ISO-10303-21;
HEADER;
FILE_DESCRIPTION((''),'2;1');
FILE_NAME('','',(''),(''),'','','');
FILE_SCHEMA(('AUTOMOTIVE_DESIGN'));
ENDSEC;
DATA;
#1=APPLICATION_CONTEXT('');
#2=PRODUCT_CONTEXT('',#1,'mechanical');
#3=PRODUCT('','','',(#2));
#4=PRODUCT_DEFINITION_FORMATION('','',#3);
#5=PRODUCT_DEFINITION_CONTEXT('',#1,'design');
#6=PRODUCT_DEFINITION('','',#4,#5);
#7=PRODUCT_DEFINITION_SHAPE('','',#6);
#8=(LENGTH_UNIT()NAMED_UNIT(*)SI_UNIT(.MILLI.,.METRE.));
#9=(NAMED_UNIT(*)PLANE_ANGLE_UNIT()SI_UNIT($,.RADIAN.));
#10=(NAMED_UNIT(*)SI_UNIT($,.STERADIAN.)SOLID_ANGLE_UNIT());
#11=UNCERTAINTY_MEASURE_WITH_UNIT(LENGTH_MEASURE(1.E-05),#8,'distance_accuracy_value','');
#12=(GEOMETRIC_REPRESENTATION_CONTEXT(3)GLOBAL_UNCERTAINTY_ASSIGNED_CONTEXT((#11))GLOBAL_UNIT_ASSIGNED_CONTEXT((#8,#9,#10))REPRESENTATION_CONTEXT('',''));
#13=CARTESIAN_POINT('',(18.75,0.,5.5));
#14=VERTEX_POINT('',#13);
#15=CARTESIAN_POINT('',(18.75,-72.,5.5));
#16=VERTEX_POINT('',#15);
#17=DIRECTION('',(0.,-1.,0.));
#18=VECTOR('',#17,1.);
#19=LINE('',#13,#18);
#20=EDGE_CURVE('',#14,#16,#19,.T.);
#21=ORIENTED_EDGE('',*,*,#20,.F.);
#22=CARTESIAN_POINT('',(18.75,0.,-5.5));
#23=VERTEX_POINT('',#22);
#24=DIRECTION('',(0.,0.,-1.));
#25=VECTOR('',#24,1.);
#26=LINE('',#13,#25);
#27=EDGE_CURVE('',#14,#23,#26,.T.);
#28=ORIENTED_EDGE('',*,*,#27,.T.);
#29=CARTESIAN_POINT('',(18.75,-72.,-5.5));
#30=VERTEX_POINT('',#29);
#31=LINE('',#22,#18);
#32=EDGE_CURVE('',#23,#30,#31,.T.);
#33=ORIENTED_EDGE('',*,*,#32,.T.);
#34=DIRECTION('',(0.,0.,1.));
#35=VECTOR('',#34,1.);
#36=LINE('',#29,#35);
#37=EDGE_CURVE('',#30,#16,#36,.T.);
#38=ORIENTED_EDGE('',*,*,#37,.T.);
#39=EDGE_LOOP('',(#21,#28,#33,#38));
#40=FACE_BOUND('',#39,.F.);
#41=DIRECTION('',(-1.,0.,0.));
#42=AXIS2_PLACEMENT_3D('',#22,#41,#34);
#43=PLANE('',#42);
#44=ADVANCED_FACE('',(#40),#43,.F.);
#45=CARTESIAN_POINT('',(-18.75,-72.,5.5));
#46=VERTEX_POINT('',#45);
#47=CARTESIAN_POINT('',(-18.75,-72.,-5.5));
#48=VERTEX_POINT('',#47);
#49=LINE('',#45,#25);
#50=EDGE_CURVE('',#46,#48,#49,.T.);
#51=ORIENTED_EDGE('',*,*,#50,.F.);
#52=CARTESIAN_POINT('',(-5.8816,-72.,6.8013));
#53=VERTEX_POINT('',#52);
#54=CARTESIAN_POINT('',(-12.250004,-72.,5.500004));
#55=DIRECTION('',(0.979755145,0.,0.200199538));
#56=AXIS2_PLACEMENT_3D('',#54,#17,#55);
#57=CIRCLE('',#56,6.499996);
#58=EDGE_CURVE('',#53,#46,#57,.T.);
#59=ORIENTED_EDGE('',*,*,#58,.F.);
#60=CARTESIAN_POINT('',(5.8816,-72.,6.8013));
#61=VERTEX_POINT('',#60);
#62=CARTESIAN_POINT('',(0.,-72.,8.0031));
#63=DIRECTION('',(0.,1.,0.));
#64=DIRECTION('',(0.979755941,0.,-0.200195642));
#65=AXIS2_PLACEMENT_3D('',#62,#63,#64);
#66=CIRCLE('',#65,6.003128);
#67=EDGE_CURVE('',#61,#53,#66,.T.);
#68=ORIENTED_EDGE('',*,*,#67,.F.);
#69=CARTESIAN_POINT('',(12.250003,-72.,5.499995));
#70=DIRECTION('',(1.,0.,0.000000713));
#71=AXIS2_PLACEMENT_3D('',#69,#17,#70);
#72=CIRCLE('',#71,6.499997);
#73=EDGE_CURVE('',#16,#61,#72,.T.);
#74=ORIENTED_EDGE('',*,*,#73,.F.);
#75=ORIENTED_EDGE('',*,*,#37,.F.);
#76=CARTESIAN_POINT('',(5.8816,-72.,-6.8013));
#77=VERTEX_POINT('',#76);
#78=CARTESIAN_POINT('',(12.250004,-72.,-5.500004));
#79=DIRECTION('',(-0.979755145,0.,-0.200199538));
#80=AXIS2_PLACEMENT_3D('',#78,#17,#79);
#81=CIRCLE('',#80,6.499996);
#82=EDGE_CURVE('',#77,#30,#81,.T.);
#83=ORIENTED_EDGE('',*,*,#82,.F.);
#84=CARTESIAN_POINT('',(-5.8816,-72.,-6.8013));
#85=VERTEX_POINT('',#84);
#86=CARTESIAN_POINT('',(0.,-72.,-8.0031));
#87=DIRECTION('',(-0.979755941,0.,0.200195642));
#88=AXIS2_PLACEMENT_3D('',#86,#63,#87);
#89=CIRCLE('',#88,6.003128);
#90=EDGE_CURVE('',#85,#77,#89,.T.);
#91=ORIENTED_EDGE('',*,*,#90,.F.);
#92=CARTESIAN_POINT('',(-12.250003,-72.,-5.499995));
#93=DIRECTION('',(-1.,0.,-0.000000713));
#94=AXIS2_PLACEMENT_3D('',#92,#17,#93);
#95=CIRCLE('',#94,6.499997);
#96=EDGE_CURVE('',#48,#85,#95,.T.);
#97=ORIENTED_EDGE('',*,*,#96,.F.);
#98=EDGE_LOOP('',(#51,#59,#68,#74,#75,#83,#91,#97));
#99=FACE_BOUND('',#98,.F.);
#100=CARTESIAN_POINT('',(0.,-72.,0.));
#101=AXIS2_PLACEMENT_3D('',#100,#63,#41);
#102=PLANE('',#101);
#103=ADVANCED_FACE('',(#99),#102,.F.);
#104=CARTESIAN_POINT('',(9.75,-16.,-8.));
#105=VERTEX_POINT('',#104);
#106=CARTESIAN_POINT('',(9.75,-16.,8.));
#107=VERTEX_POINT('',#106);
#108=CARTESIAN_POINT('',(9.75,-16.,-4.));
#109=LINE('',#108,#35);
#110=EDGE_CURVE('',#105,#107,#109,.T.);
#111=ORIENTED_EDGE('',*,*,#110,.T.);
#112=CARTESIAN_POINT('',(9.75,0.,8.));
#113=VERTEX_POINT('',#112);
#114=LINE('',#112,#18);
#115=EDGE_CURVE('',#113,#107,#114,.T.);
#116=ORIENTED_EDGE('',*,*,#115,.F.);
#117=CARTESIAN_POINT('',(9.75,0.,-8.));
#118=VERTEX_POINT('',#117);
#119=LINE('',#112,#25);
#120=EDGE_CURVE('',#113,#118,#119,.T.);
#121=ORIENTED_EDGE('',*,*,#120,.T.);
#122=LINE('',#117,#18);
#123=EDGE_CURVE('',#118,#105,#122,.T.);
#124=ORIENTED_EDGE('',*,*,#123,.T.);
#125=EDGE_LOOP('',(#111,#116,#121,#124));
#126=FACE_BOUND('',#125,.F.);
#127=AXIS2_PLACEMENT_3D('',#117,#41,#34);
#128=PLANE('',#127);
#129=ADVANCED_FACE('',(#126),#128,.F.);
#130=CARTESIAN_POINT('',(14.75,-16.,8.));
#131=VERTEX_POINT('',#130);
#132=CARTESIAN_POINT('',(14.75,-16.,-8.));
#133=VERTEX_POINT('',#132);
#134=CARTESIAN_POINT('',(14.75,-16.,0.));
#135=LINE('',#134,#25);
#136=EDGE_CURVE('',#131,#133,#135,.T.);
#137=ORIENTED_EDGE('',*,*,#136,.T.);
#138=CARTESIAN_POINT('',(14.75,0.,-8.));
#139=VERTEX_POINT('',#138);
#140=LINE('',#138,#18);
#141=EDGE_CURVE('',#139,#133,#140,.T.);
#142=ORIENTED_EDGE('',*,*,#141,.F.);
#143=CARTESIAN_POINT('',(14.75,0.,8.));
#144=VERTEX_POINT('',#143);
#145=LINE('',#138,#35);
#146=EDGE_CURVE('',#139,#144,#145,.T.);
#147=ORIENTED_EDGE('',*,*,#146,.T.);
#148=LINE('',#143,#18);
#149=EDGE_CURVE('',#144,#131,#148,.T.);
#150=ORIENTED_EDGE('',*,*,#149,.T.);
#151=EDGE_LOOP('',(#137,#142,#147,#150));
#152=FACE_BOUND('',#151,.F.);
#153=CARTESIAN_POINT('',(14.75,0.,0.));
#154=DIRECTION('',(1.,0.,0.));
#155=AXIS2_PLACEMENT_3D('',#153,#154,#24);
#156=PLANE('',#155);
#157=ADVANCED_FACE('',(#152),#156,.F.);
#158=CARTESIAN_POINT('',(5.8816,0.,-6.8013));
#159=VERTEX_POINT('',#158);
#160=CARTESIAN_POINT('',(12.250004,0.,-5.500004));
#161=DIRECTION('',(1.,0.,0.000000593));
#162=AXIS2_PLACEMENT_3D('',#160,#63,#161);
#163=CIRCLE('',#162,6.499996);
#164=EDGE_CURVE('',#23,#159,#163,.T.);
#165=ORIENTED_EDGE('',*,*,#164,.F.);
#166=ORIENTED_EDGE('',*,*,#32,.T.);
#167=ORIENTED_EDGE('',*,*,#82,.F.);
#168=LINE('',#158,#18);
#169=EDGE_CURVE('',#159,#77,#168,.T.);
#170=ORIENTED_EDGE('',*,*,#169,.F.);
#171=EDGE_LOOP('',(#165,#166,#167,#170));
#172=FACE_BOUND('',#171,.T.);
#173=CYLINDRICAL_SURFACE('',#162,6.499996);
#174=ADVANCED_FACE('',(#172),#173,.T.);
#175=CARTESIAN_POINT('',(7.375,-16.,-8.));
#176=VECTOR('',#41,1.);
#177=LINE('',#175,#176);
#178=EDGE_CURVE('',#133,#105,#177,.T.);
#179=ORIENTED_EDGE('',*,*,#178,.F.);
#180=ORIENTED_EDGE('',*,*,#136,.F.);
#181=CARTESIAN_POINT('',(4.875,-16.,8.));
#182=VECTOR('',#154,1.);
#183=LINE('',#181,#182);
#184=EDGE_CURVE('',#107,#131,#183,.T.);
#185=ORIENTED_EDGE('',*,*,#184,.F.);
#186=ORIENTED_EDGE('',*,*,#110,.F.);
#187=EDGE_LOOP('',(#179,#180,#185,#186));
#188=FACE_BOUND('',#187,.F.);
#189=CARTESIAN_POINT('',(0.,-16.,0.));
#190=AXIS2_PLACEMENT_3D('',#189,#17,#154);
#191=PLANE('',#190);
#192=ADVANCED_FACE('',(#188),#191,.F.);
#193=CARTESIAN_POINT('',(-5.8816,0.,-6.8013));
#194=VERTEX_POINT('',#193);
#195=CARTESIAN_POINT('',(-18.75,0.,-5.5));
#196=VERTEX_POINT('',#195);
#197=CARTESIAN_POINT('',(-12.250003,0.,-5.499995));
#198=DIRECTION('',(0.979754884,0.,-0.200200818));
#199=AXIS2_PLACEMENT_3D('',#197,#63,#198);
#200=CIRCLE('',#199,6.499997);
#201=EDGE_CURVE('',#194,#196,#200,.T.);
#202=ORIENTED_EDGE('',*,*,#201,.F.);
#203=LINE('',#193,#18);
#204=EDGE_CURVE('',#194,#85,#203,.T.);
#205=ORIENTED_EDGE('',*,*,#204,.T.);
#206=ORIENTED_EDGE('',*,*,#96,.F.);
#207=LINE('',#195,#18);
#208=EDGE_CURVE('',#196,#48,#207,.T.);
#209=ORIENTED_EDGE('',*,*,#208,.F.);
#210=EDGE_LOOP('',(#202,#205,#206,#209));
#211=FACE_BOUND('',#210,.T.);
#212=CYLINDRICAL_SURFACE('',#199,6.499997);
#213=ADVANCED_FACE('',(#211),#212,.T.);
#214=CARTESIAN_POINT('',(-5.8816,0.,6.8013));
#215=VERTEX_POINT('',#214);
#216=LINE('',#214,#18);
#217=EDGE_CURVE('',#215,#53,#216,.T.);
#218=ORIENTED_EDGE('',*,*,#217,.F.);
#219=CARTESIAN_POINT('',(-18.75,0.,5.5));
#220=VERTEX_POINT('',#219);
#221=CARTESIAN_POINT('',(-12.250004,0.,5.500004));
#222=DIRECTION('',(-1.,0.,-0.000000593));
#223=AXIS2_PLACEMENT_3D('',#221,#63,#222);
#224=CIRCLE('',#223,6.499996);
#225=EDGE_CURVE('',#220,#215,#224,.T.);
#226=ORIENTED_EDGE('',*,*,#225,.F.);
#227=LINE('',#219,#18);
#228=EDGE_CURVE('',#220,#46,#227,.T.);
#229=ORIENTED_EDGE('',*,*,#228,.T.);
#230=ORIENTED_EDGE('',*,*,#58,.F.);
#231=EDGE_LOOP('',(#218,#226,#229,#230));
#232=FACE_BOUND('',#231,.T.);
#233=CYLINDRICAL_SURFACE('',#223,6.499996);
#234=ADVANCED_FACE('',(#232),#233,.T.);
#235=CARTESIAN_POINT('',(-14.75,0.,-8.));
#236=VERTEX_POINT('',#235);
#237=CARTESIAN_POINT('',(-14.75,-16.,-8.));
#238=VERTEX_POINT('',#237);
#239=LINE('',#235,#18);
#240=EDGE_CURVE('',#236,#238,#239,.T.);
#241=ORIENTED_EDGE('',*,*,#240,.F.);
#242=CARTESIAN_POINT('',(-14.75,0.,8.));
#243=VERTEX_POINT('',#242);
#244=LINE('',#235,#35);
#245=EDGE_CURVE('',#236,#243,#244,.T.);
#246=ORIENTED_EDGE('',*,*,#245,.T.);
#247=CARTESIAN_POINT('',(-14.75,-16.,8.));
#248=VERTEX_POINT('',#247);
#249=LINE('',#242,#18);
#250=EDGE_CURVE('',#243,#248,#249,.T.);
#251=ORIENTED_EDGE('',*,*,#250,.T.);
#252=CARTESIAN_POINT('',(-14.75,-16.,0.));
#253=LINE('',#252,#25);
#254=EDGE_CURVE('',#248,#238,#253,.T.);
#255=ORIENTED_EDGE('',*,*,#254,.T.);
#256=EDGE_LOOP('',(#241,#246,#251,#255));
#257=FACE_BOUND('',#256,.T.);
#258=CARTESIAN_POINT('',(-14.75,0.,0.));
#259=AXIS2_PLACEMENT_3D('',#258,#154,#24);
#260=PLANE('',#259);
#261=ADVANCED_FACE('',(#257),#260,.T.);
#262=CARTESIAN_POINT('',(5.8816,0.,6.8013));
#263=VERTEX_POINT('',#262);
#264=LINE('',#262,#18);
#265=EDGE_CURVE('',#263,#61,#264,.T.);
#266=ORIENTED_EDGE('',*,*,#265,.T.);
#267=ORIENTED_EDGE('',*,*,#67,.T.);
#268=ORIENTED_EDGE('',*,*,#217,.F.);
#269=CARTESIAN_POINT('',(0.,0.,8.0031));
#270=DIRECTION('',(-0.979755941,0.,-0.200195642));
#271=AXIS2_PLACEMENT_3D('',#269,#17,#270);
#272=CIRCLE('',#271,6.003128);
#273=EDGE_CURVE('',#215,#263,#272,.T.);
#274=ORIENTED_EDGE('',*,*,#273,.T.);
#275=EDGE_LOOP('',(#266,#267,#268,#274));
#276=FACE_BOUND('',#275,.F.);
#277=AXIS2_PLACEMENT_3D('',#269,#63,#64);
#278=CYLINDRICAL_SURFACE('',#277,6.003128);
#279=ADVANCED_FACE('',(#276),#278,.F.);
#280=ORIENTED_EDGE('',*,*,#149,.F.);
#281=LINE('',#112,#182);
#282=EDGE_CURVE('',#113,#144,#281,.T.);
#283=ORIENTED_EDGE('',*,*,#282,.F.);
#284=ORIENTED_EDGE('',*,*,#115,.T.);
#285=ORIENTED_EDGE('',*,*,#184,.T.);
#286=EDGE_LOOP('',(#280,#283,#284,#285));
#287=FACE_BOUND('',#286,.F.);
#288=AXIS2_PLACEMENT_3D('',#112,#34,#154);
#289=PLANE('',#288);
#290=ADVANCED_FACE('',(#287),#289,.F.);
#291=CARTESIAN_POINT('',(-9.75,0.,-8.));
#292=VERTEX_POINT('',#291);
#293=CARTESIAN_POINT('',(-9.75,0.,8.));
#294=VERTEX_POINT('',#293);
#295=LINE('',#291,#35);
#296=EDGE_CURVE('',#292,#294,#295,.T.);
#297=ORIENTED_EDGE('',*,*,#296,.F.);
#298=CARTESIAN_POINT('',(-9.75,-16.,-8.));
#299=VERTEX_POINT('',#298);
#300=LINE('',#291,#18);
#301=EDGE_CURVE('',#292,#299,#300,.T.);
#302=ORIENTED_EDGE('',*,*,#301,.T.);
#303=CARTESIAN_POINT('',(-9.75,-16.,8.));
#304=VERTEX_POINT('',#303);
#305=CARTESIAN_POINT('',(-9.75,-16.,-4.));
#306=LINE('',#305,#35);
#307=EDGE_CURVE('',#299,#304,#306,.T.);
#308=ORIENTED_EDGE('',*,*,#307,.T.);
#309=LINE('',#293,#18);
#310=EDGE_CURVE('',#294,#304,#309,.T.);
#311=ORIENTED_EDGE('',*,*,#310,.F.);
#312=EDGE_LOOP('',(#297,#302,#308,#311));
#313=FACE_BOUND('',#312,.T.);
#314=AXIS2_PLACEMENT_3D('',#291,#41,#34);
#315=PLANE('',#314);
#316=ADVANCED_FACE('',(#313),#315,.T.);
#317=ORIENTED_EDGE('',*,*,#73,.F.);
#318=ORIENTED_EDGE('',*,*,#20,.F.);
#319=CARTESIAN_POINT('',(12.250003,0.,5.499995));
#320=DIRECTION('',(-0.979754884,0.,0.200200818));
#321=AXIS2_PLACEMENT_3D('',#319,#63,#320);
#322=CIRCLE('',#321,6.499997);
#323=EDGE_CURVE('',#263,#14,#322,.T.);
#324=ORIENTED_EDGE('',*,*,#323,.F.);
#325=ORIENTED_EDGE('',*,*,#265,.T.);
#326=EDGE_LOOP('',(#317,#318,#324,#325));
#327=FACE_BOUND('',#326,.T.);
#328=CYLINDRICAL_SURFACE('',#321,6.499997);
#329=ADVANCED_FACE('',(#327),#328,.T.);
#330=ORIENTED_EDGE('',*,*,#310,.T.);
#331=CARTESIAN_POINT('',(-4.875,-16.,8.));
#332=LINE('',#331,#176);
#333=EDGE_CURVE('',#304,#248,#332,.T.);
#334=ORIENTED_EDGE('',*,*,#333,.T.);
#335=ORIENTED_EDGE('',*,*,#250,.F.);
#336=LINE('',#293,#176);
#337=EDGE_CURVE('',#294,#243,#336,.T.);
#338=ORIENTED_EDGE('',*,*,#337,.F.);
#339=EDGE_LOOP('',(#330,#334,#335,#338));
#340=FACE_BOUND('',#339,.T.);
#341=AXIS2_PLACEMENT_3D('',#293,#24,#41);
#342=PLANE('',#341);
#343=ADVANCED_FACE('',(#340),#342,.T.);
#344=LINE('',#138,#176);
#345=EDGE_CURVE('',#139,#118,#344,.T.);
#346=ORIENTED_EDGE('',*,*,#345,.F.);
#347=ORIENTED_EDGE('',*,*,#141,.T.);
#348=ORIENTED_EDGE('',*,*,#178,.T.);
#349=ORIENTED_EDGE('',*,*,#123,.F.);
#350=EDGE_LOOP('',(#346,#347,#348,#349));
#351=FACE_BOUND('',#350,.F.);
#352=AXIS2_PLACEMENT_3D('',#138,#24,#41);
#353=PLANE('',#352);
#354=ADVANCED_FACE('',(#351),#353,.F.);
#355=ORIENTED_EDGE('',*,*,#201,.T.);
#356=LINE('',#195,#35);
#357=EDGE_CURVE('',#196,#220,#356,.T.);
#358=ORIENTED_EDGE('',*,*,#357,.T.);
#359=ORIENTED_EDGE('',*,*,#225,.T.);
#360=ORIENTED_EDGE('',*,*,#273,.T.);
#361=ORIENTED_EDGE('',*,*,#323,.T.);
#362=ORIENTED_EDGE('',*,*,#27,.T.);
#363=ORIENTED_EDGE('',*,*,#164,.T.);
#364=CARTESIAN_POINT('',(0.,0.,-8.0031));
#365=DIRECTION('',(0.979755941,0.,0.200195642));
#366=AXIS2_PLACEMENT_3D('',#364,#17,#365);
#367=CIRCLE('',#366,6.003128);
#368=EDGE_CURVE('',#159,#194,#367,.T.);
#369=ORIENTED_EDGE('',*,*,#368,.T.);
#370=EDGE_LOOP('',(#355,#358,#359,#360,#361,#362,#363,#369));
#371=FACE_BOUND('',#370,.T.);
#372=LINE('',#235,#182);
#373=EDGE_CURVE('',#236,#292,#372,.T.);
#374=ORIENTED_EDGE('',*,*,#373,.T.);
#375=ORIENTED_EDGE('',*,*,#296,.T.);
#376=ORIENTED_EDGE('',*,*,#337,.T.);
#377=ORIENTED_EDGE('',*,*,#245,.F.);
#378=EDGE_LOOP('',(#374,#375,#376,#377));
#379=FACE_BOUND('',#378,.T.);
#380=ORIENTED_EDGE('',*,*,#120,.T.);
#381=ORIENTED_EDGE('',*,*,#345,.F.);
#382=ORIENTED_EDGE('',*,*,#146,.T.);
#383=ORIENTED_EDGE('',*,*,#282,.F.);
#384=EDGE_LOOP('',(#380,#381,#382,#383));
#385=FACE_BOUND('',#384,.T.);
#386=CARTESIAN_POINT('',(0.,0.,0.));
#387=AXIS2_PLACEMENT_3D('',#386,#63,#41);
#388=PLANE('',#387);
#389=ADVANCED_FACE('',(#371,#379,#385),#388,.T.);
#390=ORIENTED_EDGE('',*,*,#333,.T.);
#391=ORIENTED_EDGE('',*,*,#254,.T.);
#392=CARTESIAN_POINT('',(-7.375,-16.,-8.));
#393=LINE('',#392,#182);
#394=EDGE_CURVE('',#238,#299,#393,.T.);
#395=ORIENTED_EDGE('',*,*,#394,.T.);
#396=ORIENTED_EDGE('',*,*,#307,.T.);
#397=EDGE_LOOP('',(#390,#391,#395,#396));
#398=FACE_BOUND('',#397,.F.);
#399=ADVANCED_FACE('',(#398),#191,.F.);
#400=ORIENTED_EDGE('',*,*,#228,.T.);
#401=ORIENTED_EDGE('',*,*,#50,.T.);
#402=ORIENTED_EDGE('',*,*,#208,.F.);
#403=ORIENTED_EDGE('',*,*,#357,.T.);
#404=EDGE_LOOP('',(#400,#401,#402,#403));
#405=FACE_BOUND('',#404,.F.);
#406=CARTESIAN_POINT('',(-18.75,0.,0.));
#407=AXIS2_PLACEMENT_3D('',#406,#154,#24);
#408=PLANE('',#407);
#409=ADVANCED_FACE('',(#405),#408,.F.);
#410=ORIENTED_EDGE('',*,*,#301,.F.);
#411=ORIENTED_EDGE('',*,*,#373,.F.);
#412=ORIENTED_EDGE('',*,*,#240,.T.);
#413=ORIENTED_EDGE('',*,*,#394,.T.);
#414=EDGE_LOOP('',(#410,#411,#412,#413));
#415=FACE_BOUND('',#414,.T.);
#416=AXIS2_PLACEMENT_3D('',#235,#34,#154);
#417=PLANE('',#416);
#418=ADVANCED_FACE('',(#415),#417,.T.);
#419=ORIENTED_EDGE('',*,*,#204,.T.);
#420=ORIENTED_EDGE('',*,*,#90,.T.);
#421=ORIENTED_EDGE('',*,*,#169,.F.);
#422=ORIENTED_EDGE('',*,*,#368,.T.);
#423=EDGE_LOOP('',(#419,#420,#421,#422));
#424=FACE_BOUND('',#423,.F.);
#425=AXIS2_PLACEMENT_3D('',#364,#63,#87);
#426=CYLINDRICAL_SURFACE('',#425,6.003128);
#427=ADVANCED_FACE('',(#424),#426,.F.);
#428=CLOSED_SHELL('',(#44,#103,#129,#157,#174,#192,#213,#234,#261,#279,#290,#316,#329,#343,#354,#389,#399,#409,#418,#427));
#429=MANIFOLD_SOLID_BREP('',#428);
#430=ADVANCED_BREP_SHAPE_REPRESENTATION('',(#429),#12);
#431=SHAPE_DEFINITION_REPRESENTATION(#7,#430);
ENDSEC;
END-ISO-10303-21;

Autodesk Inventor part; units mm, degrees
ref_plane "YZ Plane" through (0, 0, 0) normal (1, 0, 0) x (0, 1, 0)
ref_plane "XZ Plane" through (0, 0, 0) normal (0, 1, 0) x (-1, 0, 0)
ref_plane "XY Plane" through (0, 0, 0) normal (0, 0, 1) x (1, 0, 0)
sketch "Sketch1" plane through (0, 0, 0) normal (0, 1, 0) x (-1, 0, 0)
  line L0 (14.75, -8) -> (9.75, -8)
  line L1 (9.75, -8) -> (9.75, 8)
  line L2 (9.75, 8) -> (14.75, 8)
  line L3 (14.75, 8) -> (14.75, -8)
  line L4 (-14.75, -8) -> (-9.75, -8)
  line L5 (-9.75, -8) -> (-9.75, 8)
  line L6 (-9.75, 8) -> (-14.75, 8)
  line L7 (-14.75, 8) -> (-14.75, -8)
  line L8 (0, -17.6647) -> (0, 17.6647) projected
  line L9 (27.0734, 0) -> (-27.0734, 0) projected
  line L10 (18.75, -12) -> (-18.75, -12)
  line L11 (-18.75, -12) -> (-18.75, 12)
  line L12 (-18.75, 12) -> (18.75, 12)
  line L13 (18.75, 12) -> (18.75, -12)
  arc A0 (5.8816, -6.8013) -> (18.75, -5.5) centre (12.25, -5.5) ccw
  arc A1 (-18.75, -5.5) -> (-5.8816, -6.8013) centre (-12.25, -5.5) ccw
  arc A2 (5.8816, -6.8013) -> (-5.8816, -6.8013) centre (0, -8.0031) ccw
  arc A3 (18.75, 5.5) -> (5.8816, 6.8013) centre (12.25, 5.5) ccw
  arc A4 (-5.8816, 6.8013) -> (-18.75, 5.5) centre (-12.25, 5.5) ccw
  arc A5 (-5.8816, 6.8013) -> (5.8816, 6.8013) centre (0, 8.0031) ccw
  point P0 (0, 0)
  point P1 (0, -2)
  point P2 (-18.75, 5.5)
  dimension "d0" = 5
  dimension "d1" = 16
  dimension "d2" = 16
  dimension "d3" = 19.5
  dimension "d4" = 37.5
  dimension "d5" = 24
  dimension "d6" = 6.5
  dimension "d7" = 4
  dimension "d8" = 2
extrude "Extrusion1" add sketch "Sketch1" against normal blind 72 contours L3 L9 L13 A0 A2 L8 L1 L0 | L3 L2 L1 L9 L8 A5 A3 L13 | L9 L5 L6 L7 L11 A4 A5 L8 | L8 A2 A1 L11 L9 L7 L4 L5
sketch "Sketch2" plane through (0, -72, 0) normal (0, -1, 0) x (1, 0, 0)
  arc A0 (-5.8816, 6.8013) -> (-18.75, 5.5) centre (-12.25, 5.5) ccw projected
  line L0 (-18.75, 5.5) -> (-18.75, -5.5) projected
  arc A1 (-18.75, -5.5) -> (-5.8816, -6.8013) centre (-12.25, -5.5) ccw projected
  arc A2 (5.8816, -6.8013) -> (-5.8816, -6.8013) centre (0, -8.0031) ccw projected
  arc A3 (5.8816, -6.8013) -> (18.75, -5.5) centre (12.25, -5.5) ccw projected
  line L1 (18.75, -5.5) -> (18.75, 5.5) projected
  arc A4 (18.75, 5.5) -> (5.8816, 6.8013) centre (12.25, 5.5) ccw projected
  arc A5 (-5.8816, 6.8013) -> (5.8816, 6.8013) centre (0, 8.0031) ccw projected
  line L2 (-14.75, -8) -> (-14.75, 8) projected
  line L3 (-14.75, 8) -> (-9.75, 8) projected
  line L4 (-9.75, 8) -> (-9.75, -8) projected
  line L5 (-9.75, -8) -> (-14.75, -8) projected
  line L6 (9.75, -8) -> (9.75, 8) projected
  line L7 (9.75, 8) -> (14.75, 8) projected
  line L8 (14.75, 8) -> (14.75, -8) projected
  line L9 (14.75, -8) -> (9.75, -8) projected
  line L10 (15.9006, 9.0344) -> (8.0535, 9.0344)
  line L11 (8.0535, 9.0344) -> (8.0535, -9.2409)
  line L12 (8.0535, -9.2409) -> (15.9006, -9.2409)
  line L13 (15.9006, -9.2409) -> (15.9006, 9.0344)
  line L14 (-8.673, 9.0344) -> (-16.1071, 9.0344)
  line L15 (-16.1071, 9.0344) -> (-16.1071, -9.2409)
  line L16 (-16.1071, -9.2409) -> (-8.673, -9.2409)
  line L17 (-8.673, -9.2409) -> (-8.673, 9.0344)
  point P0 (0, 0)
extrude "Extrusion2" add sketch "Sketch2" against normal blind 56 contours L2 L3 L4 L5 | L6 L7 L8 L9 | L13 L12 L11 L10 | L17 L16 L15 L14
properties part number "pilar soporte"
